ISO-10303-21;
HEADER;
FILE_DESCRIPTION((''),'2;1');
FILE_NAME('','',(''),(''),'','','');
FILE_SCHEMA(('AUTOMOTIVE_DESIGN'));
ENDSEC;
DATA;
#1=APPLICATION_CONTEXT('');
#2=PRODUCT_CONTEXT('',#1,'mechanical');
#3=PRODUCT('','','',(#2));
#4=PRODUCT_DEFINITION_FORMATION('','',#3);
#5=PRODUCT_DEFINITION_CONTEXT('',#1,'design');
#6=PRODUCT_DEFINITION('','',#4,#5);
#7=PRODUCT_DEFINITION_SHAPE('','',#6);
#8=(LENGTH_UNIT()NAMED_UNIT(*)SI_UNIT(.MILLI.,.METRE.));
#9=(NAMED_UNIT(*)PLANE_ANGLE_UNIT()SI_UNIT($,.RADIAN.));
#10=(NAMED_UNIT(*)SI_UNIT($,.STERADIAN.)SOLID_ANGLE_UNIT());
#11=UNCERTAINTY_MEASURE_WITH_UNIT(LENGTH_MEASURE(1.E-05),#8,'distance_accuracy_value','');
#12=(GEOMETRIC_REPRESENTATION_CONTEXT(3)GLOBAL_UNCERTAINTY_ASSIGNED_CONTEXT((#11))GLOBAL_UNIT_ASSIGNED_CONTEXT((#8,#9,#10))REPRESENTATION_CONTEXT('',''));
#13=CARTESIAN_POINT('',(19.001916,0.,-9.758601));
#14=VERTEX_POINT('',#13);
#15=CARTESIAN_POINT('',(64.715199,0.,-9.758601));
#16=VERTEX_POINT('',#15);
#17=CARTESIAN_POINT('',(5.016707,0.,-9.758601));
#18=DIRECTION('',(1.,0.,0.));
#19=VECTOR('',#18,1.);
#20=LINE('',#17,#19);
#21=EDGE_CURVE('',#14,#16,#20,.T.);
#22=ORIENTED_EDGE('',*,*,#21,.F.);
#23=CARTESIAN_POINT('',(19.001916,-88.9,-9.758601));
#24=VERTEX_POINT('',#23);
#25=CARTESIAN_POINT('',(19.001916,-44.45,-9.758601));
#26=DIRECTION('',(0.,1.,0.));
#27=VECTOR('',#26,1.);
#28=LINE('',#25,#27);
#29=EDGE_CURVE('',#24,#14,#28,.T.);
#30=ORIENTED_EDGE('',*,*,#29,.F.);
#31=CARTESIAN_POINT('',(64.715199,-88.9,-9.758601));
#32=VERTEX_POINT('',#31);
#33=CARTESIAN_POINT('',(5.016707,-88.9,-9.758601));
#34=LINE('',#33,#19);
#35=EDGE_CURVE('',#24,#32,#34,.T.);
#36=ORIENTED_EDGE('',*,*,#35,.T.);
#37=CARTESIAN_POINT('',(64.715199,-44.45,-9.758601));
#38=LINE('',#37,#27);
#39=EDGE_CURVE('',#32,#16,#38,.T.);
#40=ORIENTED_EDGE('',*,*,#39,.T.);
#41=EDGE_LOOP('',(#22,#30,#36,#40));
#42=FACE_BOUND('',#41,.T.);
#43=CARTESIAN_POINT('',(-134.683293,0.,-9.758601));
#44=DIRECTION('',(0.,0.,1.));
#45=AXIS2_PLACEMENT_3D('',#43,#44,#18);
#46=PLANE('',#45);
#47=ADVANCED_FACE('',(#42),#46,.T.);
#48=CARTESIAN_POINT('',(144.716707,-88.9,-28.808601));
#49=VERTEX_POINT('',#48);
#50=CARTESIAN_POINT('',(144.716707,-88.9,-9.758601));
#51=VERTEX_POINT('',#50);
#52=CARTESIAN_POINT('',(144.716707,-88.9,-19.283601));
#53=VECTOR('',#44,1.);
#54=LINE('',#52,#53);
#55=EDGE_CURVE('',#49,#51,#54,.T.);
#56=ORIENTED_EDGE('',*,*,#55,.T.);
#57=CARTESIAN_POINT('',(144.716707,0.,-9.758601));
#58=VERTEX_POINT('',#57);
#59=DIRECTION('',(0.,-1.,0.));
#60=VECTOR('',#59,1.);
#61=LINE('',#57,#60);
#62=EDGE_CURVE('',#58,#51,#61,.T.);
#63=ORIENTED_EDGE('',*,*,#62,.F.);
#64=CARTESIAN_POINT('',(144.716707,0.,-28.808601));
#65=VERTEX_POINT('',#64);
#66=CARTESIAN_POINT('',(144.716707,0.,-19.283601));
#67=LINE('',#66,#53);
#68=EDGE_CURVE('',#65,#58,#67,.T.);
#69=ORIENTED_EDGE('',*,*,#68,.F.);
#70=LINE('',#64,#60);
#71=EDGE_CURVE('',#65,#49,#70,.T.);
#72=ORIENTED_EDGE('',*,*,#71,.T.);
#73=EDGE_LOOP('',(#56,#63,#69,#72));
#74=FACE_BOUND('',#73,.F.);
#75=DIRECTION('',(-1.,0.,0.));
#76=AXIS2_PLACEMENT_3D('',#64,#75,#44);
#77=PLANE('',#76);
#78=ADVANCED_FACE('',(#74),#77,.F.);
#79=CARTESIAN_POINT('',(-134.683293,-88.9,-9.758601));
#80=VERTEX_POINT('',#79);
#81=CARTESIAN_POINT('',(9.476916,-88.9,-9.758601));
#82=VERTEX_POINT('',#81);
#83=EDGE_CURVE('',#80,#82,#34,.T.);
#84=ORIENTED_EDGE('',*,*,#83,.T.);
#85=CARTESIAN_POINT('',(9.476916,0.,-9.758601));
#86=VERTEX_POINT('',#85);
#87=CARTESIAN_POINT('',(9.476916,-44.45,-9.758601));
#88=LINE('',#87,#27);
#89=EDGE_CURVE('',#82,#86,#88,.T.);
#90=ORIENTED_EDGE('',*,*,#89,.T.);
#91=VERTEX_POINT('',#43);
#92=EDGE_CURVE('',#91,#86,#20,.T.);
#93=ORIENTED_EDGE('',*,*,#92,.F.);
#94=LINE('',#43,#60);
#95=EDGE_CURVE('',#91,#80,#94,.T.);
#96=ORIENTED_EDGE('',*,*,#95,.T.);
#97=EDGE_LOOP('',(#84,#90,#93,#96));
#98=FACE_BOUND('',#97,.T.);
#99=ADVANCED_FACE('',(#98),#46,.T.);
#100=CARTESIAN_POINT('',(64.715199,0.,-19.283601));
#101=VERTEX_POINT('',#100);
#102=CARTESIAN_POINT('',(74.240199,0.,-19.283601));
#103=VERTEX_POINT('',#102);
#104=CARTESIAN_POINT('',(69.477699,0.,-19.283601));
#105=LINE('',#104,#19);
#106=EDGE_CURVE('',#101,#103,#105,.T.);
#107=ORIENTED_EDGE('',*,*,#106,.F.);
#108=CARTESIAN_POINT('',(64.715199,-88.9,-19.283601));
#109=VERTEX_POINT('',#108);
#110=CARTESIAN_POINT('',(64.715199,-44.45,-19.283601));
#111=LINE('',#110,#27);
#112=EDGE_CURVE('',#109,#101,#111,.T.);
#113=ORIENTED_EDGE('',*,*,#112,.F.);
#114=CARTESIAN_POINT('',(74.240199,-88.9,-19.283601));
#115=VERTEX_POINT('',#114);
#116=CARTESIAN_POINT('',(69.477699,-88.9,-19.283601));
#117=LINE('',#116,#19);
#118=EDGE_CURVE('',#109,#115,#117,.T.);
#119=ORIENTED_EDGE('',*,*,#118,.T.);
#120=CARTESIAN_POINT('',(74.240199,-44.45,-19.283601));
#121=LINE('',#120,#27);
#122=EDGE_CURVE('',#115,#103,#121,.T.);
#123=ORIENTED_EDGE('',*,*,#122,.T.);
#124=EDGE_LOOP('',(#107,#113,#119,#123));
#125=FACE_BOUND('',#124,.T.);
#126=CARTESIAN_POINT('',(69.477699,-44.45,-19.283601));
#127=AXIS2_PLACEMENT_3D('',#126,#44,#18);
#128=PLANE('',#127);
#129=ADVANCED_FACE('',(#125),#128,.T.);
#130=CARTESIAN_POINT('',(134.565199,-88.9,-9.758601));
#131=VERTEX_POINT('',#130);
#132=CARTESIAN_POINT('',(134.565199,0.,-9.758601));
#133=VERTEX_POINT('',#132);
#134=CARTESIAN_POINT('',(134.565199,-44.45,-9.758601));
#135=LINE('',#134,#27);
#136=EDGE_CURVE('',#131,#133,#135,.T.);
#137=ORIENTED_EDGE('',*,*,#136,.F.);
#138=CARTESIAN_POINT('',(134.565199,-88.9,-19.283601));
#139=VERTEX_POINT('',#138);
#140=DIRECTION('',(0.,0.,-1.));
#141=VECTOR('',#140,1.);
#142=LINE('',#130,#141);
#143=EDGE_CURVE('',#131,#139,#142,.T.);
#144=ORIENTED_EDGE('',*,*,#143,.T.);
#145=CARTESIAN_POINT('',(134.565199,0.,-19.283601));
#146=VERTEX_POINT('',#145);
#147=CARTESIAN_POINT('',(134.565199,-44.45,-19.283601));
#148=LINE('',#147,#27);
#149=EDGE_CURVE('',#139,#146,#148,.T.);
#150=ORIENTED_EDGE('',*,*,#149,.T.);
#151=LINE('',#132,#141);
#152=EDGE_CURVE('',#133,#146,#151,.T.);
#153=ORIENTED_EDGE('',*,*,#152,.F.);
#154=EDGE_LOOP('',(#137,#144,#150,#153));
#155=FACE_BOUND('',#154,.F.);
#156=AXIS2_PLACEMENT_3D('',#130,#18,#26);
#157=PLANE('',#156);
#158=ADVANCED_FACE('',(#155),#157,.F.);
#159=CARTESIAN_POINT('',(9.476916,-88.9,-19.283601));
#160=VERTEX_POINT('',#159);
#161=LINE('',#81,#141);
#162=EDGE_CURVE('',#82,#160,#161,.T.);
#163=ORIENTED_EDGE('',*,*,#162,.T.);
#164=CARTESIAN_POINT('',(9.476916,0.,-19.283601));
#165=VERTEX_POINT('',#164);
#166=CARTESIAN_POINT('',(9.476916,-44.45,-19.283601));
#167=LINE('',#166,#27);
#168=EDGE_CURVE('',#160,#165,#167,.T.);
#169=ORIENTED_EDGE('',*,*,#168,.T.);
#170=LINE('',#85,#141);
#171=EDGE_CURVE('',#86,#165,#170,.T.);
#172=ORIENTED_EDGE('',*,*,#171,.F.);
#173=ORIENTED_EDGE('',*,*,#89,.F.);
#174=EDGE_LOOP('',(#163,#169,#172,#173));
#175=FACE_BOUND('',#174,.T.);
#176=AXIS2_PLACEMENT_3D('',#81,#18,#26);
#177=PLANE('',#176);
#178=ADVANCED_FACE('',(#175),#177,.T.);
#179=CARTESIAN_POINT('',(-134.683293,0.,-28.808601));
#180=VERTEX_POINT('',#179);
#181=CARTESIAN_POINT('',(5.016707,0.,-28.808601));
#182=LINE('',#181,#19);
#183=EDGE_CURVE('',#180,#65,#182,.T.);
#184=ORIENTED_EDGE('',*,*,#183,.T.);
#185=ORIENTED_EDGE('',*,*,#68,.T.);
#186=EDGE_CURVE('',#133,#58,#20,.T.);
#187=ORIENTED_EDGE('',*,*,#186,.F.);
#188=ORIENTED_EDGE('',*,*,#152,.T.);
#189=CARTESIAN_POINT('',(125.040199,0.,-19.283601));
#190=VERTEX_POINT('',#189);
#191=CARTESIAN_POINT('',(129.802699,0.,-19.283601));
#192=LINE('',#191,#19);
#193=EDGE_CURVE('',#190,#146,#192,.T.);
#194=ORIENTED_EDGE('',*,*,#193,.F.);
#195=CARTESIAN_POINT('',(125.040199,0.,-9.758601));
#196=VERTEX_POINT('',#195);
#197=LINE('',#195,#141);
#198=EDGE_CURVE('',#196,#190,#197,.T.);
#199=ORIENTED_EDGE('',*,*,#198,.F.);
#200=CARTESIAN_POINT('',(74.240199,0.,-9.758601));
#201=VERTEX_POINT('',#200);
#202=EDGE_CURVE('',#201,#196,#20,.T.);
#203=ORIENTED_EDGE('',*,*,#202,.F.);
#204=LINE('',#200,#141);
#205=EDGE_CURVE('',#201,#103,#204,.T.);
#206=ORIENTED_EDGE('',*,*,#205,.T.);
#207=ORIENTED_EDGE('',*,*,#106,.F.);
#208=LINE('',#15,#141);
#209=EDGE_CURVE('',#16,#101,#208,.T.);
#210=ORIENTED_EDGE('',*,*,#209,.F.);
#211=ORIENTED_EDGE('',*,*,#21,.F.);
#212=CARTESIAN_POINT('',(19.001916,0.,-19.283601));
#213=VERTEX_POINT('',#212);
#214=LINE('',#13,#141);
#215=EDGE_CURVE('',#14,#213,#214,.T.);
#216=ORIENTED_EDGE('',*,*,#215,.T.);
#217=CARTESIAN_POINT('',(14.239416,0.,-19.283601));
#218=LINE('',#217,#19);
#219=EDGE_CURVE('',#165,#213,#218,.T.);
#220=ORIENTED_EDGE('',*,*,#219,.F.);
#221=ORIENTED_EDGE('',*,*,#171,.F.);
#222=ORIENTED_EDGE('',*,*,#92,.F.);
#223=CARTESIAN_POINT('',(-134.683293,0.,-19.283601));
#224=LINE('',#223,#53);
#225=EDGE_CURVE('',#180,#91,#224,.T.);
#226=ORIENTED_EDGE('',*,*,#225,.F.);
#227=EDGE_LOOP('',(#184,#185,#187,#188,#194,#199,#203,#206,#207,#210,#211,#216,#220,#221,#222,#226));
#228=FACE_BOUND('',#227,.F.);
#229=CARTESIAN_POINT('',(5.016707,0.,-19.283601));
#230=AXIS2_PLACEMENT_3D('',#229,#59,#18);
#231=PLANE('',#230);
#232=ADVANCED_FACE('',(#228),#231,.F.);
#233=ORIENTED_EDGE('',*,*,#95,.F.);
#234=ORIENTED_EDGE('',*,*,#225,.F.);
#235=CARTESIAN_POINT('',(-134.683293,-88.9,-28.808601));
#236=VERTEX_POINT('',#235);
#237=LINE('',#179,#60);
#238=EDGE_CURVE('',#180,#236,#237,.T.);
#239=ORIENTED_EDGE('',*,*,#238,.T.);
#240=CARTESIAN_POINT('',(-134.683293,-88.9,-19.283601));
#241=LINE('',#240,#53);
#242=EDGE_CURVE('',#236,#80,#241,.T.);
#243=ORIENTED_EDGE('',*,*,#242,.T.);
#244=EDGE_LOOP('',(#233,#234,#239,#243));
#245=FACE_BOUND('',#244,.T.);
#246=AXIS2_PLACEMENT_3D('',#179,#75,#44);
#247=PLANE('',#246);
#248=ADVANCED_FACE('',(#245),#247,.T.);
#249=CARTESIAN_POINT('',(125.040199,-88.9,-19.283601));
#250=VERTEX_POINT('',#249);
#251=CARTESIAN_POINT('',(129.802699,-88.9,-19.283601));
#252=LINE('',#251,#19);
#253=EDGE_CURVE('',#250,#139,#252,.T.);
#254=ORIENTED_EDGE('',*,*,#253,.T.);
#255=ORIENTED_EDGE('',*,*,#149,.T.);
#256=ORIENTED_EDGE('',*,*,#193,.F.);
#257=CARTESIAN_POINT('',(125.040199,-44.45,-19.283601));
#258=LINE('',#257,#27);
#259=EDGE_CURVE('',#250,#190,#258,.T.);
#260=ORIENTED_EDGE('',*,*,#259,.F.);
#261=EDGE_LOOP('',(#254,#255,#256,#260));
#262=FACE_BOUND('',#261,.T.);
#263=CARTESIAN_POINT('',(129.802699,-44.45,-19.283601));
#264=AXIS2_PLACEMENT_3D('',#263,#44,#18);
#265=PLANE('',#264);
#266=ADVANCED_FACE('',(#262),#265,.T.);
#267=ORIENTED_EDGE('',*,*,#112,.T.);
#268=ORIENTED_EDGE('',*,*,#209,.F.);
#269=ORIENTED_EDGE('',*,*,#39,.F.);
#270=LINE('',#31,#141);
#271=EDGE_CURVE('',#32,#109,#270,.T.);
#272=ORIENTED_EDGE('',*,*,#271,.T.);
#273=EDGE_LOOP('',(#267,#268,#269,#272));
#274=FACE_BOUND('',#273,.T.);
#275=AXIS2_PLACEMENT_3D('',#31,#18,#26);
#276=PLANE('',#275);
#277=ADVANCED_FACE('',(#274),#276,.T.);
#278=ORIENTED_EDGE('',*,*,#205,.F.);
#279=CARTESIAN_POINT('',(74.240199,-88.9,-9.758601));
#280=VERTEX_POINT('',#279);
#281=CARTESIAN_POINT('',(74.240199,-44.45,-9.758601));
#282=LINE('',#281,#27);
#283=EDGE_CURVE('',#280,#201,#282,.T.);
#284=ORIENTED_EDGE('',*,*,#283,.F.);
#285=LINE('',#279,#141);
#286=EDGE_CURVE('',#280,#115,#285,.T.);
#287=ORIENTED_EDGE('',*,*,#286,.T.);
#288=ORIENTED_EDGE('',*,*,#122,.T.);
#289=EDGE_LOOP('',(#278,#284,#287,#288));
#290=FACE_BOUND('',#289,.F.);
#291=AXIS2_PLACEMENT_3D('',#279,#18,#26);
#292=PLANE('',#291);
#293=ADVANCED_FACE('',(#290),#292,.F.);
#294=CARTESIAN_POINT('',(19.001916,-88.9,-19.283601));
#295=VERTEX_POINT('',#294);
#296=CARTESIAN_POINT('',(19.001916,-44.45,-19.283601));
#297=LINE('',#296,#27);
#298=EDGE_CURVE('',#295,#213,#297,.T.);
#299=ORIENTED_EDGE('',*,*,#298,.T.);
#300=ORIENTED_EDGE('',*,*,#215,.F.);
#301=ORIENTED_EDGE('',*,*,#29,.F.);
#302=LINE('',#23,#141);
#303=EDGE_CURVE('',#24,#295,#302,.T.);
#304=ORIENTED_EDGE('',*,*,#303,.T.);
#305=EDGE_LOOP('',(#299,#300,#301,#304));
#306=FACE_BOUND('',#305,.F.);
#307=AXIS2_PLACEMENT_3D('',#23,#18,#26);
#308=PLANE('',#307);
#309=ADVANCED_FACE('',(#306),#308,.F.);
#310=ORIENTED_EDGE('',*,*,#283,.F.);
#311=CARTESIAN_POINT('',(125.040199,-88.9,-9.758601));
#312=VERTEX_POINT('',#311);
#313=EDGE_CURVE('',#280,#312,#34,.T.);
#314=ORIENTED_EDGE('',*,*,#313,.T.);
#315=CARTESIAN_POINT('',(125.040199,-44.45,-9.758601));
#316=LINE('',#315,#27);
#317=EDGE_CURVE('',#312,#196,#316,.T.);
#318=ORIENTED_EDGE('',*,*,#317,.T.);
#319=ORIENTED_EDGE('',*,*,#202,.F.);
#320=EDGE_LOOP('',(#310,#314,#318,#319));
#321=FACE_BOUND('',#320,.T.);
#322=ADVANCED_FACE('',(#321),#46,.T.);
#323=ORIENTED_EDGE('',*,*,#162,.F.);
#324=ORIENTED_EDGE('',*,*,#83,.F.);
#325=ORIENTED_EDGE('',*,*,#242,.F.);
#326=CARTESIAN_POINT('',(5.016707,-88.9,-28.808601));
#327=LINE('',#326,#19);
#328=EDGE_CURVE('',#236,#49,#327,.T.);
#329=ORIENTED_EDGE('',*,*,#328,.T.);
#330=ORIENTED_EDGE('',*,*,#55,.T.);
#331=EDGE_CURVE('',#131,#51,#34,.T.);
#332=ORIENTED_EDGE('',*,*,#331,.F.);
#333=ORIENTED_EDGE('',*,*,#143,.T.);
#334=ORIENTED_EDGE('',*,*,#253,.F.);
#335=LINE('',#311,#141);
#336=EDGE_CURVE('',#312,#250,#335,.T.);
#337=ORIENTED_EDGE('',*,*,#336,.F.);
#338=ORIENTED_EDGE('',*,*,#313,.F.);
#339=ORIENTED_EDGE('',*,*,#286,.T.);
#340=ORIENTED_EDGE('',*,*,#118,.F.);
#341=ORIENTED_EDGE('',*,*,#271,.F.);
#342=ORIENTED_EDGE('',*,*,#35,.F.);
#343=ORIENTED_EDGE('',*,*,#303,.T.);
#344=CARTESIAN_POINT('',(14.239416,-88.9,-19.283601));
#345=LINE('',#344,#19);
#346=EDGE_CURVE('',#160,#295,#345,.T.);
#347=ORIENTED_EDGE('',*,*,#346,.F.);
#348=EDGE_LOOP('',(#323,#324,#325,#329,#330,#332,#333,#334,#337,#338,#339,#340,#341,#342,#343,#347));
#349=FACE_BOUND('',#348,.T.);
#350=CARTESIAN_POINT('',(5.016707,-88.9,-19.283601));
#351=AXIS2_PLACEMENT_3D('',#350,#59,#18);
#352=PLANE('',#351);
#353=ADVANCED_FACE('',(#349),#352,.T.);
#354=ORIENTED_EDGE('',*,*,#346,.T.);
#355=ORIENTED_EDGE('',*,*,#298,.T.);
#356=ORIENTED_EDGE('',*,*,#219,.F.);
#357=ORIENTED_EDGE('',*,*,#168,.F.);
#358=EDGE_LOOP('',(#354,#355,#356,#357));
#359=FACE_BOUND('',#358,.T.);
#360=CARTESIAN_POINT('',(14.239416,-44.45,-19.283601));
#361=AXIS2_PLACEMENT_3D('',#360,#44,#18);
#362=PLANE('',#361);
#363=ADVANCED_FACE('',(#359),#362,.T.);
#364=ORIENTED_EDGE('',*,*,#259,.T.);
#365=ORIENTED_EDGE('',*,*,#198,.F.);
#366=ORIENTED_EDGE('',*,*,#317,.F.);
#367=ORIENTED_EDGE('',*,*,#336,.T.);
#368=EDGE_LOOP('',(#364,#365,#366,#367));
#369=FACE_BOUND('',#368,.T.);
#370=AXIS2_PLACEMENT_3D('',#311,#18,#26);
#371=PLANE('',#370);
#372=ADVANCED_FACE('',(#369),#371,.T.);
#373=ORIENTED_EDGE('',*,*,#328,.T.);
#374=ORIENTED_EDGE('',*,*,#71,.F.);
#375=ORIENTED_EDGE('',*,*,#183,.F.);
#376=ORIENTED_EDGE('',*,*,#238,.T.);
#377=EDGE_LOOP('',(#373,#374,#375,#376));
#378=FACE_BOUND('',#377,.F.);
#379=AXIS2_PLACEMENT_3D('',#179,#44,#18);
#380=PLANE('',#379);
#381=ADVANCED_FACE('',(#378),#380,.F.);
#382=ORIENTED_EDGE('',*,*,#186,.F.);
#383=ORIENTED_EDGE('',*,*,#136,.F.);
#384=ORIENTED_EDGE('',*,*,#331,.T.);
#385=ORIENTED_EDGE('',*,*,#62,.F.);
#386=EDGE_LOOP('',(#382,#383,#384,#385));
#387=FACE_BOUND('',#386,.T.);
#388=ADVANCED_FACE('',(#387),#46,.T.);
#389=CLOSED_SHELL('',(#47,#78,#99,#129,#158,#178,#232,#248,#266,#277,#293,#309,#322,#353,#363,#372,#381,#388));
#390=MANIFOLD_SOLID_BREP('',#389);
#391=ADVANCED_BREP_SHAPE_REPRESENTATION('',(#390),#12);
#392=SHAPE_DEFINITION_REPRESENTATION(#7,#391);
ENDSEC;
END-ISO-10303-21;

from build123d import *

# Parameters (mm, degrees)
F0_W     = 279.4
F0_H     = 19.05
F1_DEPTH = 88.9
F2_W     = 9.525
F2_H     = 88.9
F3_DEPTH = 9.525


with BuildPart() as f1:
    # F0 (on Front) → F1 (new body)
    with BuildSketch(Plane.XZ):
        with Locations((5.016707, -19.283601)):
            Rectangle(F0_W, F0_H)
    extrude(amount=F1_DEPTH)

    # F2 (on face) → F3 (cut)
    with BuildSketch(Plane.XY.offset(-9.758601)):
        with Locations((129.802699, -44.45)):
            Rectangle(F2_W, F2_H)
        with Locations((69.477699, -44.45)):
            Rectangle(F2_W, F2_H)
        with Locations((14.239416, -44.45)):
            Rectangle(F2_W, F2_H)
    extrude(amount=-F3_DEPTH, mode=Mode.SUBTRACT)


solid = f1.part
